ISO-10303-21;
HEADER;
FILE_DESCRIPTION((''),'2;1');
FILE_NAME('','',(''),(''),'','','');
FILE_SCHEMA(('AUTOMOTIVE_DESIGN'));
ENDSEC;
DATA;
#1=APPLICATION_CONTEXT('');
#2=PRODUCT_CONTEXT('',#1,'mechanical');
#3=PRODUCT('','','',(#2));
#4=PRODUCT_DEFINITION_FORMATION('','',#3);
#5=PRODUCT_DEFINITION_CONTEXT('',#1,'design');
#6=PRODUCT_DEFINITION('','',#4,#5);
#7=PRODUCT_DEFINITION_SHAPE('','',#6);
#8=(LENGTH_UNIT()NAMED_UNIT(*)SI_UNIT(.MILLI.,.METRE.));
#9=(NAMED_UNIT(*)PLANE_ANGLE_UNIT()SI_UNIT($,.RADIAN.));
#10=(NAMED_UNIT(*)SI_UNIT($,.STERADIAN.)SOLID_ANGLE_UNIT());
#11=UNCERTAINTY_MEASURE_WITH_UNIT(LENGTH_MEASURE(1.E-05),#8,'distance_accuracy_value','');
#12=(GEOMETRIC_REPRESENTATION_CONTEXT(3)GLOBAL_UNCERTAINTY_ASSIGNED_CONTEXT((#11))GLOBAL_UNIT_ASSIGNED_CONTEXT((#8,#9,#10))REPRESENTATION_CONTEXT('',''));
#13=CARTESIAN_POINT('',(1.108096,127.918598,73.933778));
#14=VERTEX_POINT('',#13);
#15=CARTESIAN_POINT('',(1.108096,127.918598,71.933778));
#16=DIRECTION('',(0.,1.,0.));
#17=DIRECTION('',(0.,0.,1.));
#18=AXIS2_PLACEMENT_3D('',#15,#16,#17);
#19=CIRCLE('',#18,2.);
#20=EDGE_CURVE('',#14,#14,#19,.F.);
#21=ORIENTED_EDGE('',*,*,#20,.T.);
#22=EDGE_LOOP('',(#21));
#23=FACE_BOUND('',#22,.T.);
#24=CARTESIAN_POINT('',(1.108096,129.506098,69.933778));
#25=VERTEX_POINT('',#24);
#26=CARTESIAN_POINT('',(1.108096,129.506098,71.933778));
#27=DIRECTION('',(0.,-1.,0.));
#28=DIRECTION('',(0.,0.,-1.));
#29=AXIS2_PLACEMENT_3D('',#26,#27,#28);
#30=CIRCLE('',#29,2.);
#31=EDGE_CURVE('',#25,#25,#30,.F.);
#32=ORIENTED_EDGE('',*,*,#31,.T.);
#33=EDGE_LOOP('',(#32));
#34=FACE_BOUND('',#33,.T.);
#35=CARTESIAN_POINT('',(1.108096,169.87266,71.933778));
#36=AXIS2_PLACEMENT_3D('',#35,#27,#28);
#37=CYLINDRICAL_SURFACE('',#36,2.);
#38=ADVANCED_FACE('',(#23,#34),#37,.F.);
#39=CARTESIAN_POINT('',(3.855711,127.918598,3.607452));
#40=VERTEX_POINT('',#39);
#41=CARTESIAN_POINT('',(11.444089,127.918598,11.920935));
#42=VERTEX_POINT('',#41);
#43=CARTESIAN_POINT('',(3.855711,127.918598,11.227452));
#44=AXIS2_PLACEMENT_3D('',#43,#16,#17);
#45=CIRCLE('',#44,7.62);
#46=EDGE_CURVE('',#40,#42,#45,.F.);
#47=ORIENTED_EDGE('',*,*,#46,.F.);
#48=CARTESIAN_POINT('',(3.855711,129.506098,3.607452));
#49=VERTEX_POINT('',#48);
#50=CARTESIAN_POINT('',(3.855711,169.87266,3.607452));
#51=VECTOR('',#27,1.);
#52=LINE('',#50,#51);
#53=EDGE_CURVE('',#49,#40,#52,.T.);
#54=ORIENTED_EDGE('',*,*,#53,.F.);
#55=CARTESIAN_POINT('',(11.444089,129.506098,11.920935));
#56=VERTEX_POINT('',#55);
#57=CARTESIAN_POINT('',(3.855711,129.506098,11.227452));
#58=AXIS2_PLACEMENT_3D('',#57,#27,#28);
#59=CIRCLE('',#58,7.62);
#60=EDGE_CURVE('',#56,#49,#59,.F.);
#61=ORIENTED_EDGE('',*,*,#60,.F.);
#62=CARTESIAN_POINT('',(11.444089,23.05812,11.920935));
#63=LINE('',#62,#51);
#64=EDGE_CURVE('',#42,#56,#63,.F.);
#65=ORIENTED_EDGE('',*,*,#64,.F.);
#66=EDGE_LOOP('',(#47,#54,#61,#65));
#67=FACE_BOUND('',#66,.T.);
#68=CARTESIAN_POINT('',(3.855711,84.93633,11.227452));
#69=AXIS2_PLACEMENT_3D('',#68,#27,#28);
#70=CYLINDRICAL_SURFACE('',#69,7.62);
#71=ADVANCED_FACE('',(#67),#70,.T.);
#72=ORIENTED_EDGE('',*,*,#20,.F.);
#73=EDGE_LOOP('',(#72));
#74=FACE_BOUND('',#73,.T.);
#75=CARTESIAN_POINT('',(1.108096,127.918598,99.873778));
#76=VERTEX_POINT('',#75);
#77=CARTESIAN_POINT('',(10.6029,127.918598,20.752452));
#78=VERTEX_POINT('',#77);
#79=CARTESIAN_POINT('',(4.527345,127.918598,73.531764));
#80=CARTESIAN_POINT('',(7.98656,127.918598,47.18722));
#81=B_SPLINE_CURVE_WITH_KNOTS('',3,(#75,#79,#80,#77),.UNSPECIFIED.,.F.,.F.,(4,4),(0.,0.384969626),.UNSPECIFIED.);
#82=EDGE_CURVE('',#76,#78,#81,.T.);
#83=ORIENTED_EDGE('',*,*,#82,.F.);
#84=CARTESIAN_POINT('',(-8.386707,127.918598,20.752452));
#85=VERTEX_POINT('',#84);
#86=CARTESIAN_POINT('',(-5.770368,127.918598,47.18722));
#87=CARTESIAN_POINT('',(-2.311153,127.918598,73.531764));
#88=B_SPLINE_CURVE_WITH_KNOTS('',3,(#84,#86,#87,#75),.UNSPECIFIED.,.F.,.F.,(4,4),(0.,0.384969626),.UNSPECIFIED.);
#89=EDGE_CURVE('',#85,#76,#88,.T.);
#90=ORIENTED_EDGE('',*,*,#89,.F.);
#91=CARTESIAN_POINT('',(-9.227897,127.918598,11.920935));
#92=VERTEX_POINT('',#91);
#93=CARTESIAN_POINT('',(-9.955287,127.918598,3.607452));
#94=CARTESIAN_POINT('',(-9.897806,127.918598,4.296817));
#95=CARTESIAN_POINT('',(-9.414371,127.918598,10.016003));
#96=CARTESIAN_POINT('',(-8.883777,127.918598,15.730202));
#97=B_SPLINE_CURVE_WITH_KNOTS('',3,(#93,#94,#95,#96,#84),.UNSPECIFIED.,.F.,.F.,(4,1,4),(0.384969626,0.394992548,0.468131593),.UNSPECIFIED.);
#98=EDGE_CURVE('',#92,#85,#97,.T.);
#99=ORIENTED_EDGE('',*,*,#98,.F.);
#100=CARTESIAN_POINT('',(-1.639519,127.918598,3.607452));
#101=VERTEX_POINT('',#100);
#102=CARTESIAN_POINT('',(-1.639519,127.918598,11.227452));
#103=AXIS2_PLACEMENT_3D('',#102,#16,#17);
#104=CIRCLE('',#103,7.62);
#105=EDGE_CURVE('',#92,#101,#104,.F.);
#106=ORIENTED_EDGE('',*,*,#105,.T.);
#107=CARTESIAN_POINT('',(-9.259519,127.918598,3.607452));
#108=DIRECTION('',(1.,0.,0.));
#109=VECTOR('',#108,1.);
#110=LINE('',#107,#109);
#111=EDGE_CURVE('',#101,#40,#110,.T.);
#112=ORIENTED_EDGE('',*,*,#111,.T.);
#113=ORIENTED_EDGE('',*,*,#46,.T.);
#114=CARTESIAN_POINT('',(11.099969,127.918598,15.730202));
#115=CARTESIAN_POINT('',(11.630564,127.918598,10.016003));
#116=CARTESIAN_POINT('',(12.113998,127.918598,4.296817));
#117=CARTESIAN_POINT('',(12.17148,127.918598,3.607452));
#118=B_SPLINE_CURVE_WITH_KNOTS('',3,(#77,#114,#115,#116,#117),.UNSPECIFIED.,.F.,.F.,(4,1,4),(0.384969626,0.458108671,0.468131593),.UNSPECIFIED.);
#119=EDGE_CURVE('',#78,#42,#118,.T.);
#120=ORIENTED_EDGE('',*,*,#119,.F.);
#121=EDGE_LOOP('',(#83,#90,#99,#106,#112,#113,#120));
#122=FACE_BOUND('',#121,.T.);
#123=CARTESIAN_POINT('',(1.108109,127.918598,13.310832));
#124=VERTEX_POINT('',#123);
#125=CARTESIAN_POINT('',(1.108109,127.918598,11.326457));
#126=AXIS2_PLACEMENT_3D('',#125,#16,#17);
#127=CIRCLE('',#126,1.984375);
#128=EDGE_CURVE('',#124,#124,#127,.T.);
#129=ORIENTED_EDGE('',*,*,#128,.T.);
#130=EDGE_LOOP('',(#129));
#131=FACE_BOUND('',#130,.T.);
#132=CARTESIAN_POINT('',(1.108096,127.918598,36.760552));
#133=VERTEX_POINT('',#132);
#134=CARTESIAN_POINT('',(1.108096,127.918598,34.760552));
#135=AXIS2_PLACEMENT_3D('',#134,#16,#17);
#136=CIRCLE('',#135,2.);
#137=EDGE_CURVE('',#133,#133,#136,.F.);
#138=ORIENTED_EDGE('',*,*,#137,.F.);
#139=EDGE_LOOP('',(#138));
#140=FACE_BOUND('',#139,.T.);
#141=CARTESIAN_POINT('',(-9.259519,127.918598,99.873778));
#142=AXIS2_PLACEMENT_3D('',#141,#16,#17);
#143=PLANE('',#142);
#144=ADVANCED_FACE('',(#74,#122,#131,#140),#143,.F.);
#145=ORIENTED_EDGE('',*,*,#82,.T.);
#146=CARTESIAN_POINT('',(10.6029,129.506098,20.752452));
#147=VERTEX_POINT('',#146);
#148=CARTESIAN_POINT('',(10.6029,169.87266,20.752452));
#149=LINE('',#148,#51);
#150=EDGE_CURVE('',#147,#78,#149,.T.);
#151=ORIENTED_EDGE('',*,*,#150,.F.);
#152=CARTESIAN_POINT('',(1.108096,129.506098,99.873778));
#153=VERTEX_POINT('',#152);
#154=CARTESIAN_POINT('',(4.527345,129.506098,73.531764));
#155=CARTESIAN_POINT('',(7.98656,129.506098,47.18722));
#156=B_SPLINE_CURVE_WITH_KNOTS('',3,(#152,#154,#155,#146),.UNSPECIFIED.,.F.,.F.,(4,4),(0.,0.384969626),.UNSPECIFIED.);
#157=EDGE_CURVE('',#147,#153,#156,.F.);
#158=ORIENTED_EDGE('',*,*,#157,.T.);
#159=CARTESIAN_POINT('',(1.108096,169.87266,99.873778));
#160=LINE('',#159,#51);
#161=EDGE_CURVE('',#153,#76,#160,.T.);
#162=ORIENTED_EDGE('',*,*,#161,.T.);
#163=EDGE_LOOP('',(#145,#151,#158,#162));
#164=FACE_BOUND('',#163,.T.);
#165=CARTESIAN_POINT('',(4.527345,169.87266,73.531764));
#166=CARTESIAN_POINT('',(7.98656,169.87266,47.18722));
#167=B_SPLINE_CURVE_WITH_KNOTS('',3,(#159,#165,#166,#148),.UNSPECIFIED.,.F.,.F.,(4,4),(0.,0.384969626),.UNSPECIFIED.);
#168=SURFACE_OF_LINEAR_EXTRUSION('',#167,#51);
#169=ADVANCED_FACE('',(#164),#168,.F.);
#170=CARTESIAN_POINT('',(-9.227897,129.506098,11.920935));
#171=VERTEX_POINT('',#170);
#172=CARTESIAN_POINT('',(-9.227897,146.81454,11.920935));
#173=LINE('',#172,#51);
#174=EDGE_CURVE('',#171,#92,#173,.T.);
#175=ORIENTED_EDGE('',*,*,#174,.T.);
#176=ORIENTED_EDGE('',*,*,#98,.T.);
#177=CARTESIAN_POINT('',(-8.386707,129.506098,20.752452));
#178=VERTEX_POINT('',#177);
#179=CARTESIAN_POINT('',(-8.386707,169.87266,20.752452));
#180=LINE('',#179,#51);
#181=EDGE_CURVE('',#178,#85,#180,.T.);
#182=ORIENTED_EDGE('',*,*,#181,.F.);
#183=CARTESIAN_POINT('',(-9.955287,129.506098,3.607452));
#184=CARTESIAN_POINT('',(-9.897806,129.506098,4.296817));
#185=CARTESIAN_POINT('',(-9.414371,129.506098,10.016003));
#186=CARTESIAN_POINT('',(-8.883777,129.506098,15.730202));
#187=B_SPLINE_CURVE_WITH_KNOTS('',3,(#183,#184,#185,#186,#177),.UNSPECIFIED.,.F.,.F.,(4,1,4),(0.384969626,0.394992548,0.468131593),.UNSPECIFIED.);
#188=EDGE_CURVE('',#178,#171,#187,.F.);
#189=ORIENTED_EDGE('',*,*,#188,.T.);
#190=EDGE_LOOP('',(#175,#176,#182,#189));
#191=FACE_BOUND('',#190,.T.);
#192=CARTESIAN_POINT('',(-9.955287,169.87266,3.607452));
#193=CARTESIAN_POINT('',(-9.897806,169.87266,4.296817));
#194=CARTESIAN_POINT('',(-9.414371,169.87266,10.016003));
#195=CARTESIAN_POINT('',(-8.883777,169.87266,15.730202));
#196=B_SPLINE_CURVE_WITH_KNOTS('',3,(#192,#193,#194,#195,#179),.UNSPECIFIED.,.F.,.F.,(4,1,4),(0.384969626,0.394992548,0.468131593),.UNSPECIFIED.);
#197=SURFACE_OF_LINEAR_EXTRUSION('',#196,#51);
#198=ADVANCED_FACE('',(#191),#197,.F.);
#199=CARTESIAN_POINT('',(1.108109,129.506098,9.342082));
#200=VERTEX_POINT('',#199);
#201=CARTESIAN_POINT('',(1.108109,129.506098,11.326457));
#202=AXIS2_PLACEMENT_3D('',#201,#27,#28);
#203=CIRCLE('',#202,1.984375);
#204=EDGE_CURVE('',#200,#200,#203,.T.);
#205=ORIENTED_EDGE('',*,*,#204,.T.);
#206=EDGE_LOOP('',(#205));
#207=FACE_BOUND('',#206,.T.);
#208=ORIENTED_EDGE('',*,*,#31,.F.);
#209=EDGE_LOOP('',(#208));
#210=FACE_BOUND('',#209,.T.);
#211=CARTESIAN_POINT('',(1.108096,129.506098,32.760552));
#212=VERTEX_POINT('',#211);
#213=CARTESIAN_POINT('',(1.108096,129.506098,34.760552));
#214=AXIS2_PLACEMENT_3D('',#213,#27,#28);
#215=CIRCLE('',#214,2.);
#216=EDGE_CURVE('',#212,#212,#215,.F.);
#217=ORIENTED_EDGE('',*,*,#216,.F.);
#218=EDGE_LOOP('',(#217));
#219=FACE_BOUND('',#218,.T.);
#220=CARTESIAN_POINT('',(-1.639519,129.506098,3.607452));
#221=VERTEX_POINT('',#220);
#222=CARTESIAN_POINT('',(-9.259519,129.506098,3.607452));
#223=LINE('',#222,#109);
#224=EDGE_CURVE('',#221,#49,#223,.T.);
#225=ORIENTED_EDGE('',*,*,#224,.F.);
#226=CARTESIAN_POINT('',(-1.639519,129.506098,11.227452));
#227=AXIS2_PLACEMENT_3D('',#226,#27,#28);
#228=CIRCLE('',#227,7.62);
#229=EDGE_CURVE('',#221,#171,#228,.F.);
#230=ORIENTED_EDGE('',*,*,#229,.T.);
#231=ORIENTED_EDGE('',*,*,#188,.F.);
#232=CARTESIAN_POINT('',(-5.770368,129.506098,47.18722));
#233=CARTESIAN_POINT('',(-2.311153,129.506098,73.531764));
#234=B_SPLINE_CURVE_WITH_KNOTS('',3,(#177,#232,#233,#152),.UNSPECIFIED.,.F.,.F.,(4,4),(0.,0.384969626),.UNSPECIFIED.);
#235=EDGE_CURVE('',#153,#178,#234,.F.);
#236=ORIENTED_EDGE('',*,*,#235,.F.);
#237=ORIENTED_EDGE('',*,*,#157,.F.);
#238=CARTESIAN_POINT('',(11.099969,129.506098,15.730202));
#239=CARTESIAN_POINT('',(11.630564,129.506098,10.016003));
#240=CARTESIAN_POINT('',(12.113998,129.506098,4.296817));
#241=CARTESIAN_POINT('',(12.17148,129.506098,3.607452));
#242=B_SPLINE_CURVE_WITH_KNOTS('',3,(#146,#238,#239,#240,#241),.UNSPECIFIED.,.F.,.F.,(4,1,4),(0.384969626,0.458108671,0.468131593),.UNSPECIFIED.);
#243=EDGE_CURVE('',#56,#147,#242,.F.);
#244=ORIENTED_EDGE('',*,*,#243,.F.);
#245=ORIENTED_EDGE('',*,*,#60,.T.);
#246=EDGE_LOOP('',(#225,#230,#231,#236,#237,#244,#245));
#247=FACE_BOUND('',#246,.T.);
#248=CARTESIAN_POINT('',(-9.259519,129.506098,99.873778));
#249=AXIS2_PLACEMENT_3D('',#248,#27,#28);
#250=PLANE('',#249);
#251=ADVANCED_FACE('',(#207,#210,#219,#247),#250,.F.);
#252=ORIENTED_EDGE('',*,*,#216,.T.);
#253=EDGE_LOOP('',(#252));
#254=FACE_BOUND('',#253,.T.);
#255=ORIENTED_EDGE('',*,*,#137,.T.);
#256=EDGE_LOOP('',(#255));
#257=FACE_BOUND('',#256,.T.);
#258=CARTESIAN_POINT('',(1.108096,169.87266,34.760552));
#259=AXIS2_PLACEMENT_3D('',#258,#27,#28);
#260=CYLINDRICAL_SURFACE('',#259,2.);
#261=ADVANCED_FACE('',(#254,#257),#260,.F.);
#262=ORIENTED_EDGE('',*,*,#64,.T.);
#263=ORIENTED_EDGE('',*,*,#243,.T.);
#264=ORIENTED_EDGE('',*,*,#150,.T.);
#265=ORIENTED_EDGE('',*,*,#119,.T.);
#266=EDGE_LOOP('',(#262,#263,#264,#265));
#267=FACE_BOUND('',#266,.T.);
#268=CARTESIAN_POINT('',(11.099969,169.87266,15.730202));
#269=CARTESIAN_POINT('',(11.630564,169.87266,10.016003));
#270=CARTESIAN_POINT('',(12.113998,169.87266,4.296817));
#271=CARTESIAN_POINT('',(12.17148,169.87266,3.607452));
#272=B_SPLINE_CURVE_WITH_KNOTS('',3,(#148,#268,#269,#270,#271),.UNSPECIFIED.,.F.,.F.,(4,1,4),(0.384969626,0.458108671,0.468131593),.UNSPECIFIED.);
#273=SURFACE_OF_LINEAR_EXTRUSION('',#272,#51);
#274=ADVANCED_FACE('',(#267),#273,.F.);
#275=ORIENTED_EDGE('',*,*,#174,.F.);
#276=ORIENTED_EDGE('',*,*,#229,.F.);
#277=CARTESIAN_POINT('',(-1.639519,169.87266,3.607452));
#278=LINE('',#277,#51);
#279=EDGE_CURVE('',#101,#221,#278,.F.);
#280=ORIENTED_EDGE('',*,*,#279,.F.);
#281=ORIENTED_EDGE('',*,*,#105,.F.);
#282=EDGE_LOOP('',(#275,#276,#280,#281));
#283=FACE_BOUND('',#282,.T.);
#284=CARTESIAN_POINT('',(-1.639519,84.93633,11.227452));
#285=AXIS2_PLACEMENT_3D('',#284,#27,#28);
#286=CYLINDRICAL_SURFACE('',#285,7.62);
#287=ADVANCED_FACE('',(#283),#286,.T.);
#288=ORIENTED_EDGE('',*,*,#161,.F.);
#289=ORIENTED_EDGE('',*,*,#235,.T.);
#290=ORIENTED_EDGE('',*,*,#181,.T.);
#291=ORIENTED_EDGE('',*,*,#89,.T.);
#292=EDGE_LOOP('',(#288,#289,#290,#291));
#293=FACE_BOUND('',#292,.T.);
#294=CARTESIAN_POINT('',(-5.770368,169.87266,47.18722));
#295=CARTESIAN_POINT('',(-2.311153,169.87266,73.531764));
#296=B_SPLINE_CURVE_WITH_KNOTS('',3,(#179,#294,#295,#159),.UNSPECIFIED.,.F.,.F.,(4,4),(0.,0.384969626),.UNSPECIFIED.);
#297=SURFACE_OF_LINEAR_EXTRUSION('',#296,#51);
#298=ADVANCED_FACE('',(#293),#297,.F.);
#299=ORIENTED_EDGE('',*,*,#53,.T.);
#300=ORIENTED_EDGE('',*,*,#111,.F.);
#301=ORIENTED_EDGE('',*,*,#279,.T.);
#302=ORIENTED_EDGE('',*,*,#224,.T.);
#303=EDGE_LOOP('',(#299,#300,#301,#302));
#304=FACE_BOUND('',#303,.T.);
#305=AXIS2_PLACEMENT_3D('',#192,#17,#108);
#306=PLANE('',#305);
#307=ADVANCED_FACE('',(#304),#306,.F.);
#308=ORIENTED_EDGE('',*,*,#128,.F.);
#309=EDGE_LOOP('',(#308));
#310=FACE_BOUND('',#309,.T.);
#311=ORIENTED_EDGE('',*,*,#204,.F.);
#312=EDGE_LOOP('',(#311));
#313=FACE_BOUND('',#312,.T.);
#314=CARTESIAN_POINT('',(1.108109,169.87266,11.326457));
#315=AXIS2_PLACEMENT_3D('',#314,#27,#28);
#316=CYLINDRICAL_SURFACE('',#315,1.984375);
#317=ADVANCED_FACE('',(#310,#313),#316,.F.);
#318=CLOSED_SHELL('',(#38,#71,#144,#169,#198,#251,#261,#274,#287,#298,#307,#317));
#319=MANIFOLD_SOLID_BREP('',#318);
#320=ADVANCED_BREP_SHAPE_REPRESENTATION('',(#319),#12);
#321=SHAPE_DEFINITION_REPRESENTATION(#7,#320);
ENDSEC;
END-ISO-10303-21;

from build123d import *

# Parameters (mm, degrees)
SKETCH1_R               = 1.984375
BOSS_EXTRUDE1_DEPTH     = 169.87265999999997
CUT_EXTRUDE1_DEPTH      = 23.05812
CUT_EXTRUDE2_START      = -169.87266
CUT_EXTRUDE2_DEPTH      = 23.05812
FILLET1_R               = 7.62
CUT_EXTRUDE3_DEPTH      = 198.3909425992125
CUT_EXTRUDE3_DEPTH_BACK = 198.3909425992125
SKETCH6_R               = 2.000000000000001
SKETCH6_R_2             = 2.0000000000000004
CUT_EXTRUDE4_DEPTH      = 198.3909425992125
CUT_EXTRUDE4_DEPTH_BACK = 198.3909425992125
SKETCH7_W               = 96.26632678346117
SKETCH7_H               = 127.9185977098139
SKETCH7_H_2             = 40.36656229018607


with BuildPart() as part:
    # Sketch1 → Boss-Extrude1 (new body)
    with BuildSketch(Plane(origin=(0, 0, 0), x_dir=(1, 0, 0), z_dir=(0, 1, 0))):
        with BuildLine():
            Line((-9.955287346489113, -3.6074515728352274), (-6.769721367669625, -3.607451572835229))
            Line((-6.769721367669625, -3.607451572835229), (8.985913588520251, -3.607451572835254))
            Line((8.985913588520251, -3.607451572835254), (12.171479567676489, -3.6074515728352536))
            add(Edge.make_bspline(
                [(10.60289964969583, -20.752451572835255), (11.099968974105764, -15.73020157118813), (11.63056361676114, -10.016003165571298), (12.113997871046978, -4.296816952278091), (12.171479567676489, -3.6074515728352536)],
                knots=[0.38496962590391054, 0.38496962590391054, 0.38496962590391054, 0.38496962590391054, 0.4581086713676085, 0.468131593311824, 0.468131593311824, 0.468131593311824, 0.468131593311824], degree=3))
            add(Edge.make_bspline(
                [(1.1080961105936413, -99.87377835629641), (4.527344743513003, -73.53176416291807), (7.98655990047842, -47.18721965154313), (10.60289964969583, -20.752451572835255)],
                knots=[0, 0, 0, 0, 0.38496962590391054, 0.38496962590391054, 0.38496962590391054, 0.38496962590391054], degree=3))
            add(Edge.make_bspline(
                [(1.1080961105936413, -99.87377835629641), (-2.311152522316452, -73.53176416292023), (-5.77036767929202, -47.18721965154205), (-8.386707428509173, -20.752451572835213)],
                knots=[0, 0, 0, 0, 0.3849696259039116, 0.3849696259039116, 0.3849696259039116, 0.3849696259039116], degree=3))
            add(Edge.make_bspline(
                [(-8.386707428509173, -20.752451572835213), (-8.88377675291906, -15.730201571188243), (-9.414371395575616, -10.016003165551764), (-9.897805649859515, -4.296816952279357), (-9.955287346489113, -3.6074515728352274)],
                knots=[0.3849696259039116, 0.3849696259039116, 0.3849696259039116, 0.3849696259039116, 0.4581086713676079, 0.46813159331185, 0.46813159331185, 0.46813159331185, 0.46813159331185], degree=3))
        make_face()
        with Locations(Location((1.10810856874065, -11.326456678177, 0), (0, 0, 270))):
            Circle(SKETCH1_R, mode=Mode.SUBTRACT)
    extrude(amount=BOSS_EXTRUDE1_DEPTH)

    # Sketch2 → Cut-Extrude1 (cut)
    with BuildSketch(Plane(origin=(0, 169.87265999999997, 0), x_dir=(1, 0, 0), z_dir=(0, 1, 0))):
        Polygon((-9.955287346489113, -3.6074515728352274), (25.808519749497883, -3.6074515728352274), (25.808519749497883, -26.312456678177), (-9.95528734648911, -26.312456678177), align=None)
    extrude(amount=-CUT_EXTRUDE1_DEPTH, mode=Mode.SUBTRACT)

    # Sketch2<2> → Cut-Extrude2 (cut)
    with BuildSketch(Plane(origin=(0, 169.87265999999997, 0), x_dir=(1, 0, 0), z_dir=(0, 1, 0)).offset(CUT_EXTRUDE2_START)):
        Polygon((-9.955287346489113, -3.6074515728352274), (25.808519749497883, -3.6074515728352274), (25.808519749497883, -26.312456678177), (-9.95528734648911, -26.312456678177), align=None)
    extrude(amount=CUT_EXTRUDE2_DEPTH, mode=Mode.SUBTRACT)

    # Fillet1
    fillet1_edges = [part.edges().sort_by_distance(p)[0] for p in [
        (-7.8241553741226255, 11.529059999999971, 26.312456678177),
        (10.040347595309392, 11.529059999999971, 26.312456678177),
        (-9.955287346489113, 84.93632999999997, 3.6074515728352274),
        (12.171479567676489, 84.93632999999997, 3.6074515728352536),
        (-7.8241553741226255, 158.34359999999998, 26.312456678177),
        (10.040347595309392, 158.34359999999998, 26.312456678177),
    ]]
    fillet(fillet1_edges, radius=FILLET1_R)

    # Sketch6 → Cut-Extrude3 (cut, two sides: drawn at the far end of the back side and taken through both)
    with BuildSketch(Plane.XZ.offset(-CUT_EXTRUDE3_DEPTH_BACK)):
        with Locations(Location((1.1080961105936413, 71.9337783562964, 0), (0, 0, 270))):
            Circle(SKETCH6_R)
        with Locations(Location((1.1080961105935272, 34.76055213743882, 0), (0, 0, 270))):
            Circle(SKETCH6_R_2)
    extrude(amount=CUT_EXTRUDE3_DEPTH + CUT_EXTRUDE3_DEPTH_BACK, mode=Mode.SUBTRACT)

    # Sketch7 → Cut-Extrude4 (cut, two sides: drawn at the far end of the back side and taken through both)
    with BuildSketch(Plane(origin=(0, 0, 0), x_dir=(0, 0, -1), z_dir=(1, 0, 0)).offset(-CUT_EXTRUDE4_DEPTH_BACK)):
        with Locations((-51.740614964565815, 63.95929885490695)):
            Rectangle(SKETCH7_W, SKETCH7_H)
        with Locations((-51.740614964565815, 149.68937885490692)):
            Rectangle(SKETCH7_W, SKETCH7_H_2)
    extrude(amount=CUT_EXTRUDE4_DEPTH + CUT_EXTRUDE4_DEPTH_BACK, mode=Mode.SUBTRACT)


solid = part.part
